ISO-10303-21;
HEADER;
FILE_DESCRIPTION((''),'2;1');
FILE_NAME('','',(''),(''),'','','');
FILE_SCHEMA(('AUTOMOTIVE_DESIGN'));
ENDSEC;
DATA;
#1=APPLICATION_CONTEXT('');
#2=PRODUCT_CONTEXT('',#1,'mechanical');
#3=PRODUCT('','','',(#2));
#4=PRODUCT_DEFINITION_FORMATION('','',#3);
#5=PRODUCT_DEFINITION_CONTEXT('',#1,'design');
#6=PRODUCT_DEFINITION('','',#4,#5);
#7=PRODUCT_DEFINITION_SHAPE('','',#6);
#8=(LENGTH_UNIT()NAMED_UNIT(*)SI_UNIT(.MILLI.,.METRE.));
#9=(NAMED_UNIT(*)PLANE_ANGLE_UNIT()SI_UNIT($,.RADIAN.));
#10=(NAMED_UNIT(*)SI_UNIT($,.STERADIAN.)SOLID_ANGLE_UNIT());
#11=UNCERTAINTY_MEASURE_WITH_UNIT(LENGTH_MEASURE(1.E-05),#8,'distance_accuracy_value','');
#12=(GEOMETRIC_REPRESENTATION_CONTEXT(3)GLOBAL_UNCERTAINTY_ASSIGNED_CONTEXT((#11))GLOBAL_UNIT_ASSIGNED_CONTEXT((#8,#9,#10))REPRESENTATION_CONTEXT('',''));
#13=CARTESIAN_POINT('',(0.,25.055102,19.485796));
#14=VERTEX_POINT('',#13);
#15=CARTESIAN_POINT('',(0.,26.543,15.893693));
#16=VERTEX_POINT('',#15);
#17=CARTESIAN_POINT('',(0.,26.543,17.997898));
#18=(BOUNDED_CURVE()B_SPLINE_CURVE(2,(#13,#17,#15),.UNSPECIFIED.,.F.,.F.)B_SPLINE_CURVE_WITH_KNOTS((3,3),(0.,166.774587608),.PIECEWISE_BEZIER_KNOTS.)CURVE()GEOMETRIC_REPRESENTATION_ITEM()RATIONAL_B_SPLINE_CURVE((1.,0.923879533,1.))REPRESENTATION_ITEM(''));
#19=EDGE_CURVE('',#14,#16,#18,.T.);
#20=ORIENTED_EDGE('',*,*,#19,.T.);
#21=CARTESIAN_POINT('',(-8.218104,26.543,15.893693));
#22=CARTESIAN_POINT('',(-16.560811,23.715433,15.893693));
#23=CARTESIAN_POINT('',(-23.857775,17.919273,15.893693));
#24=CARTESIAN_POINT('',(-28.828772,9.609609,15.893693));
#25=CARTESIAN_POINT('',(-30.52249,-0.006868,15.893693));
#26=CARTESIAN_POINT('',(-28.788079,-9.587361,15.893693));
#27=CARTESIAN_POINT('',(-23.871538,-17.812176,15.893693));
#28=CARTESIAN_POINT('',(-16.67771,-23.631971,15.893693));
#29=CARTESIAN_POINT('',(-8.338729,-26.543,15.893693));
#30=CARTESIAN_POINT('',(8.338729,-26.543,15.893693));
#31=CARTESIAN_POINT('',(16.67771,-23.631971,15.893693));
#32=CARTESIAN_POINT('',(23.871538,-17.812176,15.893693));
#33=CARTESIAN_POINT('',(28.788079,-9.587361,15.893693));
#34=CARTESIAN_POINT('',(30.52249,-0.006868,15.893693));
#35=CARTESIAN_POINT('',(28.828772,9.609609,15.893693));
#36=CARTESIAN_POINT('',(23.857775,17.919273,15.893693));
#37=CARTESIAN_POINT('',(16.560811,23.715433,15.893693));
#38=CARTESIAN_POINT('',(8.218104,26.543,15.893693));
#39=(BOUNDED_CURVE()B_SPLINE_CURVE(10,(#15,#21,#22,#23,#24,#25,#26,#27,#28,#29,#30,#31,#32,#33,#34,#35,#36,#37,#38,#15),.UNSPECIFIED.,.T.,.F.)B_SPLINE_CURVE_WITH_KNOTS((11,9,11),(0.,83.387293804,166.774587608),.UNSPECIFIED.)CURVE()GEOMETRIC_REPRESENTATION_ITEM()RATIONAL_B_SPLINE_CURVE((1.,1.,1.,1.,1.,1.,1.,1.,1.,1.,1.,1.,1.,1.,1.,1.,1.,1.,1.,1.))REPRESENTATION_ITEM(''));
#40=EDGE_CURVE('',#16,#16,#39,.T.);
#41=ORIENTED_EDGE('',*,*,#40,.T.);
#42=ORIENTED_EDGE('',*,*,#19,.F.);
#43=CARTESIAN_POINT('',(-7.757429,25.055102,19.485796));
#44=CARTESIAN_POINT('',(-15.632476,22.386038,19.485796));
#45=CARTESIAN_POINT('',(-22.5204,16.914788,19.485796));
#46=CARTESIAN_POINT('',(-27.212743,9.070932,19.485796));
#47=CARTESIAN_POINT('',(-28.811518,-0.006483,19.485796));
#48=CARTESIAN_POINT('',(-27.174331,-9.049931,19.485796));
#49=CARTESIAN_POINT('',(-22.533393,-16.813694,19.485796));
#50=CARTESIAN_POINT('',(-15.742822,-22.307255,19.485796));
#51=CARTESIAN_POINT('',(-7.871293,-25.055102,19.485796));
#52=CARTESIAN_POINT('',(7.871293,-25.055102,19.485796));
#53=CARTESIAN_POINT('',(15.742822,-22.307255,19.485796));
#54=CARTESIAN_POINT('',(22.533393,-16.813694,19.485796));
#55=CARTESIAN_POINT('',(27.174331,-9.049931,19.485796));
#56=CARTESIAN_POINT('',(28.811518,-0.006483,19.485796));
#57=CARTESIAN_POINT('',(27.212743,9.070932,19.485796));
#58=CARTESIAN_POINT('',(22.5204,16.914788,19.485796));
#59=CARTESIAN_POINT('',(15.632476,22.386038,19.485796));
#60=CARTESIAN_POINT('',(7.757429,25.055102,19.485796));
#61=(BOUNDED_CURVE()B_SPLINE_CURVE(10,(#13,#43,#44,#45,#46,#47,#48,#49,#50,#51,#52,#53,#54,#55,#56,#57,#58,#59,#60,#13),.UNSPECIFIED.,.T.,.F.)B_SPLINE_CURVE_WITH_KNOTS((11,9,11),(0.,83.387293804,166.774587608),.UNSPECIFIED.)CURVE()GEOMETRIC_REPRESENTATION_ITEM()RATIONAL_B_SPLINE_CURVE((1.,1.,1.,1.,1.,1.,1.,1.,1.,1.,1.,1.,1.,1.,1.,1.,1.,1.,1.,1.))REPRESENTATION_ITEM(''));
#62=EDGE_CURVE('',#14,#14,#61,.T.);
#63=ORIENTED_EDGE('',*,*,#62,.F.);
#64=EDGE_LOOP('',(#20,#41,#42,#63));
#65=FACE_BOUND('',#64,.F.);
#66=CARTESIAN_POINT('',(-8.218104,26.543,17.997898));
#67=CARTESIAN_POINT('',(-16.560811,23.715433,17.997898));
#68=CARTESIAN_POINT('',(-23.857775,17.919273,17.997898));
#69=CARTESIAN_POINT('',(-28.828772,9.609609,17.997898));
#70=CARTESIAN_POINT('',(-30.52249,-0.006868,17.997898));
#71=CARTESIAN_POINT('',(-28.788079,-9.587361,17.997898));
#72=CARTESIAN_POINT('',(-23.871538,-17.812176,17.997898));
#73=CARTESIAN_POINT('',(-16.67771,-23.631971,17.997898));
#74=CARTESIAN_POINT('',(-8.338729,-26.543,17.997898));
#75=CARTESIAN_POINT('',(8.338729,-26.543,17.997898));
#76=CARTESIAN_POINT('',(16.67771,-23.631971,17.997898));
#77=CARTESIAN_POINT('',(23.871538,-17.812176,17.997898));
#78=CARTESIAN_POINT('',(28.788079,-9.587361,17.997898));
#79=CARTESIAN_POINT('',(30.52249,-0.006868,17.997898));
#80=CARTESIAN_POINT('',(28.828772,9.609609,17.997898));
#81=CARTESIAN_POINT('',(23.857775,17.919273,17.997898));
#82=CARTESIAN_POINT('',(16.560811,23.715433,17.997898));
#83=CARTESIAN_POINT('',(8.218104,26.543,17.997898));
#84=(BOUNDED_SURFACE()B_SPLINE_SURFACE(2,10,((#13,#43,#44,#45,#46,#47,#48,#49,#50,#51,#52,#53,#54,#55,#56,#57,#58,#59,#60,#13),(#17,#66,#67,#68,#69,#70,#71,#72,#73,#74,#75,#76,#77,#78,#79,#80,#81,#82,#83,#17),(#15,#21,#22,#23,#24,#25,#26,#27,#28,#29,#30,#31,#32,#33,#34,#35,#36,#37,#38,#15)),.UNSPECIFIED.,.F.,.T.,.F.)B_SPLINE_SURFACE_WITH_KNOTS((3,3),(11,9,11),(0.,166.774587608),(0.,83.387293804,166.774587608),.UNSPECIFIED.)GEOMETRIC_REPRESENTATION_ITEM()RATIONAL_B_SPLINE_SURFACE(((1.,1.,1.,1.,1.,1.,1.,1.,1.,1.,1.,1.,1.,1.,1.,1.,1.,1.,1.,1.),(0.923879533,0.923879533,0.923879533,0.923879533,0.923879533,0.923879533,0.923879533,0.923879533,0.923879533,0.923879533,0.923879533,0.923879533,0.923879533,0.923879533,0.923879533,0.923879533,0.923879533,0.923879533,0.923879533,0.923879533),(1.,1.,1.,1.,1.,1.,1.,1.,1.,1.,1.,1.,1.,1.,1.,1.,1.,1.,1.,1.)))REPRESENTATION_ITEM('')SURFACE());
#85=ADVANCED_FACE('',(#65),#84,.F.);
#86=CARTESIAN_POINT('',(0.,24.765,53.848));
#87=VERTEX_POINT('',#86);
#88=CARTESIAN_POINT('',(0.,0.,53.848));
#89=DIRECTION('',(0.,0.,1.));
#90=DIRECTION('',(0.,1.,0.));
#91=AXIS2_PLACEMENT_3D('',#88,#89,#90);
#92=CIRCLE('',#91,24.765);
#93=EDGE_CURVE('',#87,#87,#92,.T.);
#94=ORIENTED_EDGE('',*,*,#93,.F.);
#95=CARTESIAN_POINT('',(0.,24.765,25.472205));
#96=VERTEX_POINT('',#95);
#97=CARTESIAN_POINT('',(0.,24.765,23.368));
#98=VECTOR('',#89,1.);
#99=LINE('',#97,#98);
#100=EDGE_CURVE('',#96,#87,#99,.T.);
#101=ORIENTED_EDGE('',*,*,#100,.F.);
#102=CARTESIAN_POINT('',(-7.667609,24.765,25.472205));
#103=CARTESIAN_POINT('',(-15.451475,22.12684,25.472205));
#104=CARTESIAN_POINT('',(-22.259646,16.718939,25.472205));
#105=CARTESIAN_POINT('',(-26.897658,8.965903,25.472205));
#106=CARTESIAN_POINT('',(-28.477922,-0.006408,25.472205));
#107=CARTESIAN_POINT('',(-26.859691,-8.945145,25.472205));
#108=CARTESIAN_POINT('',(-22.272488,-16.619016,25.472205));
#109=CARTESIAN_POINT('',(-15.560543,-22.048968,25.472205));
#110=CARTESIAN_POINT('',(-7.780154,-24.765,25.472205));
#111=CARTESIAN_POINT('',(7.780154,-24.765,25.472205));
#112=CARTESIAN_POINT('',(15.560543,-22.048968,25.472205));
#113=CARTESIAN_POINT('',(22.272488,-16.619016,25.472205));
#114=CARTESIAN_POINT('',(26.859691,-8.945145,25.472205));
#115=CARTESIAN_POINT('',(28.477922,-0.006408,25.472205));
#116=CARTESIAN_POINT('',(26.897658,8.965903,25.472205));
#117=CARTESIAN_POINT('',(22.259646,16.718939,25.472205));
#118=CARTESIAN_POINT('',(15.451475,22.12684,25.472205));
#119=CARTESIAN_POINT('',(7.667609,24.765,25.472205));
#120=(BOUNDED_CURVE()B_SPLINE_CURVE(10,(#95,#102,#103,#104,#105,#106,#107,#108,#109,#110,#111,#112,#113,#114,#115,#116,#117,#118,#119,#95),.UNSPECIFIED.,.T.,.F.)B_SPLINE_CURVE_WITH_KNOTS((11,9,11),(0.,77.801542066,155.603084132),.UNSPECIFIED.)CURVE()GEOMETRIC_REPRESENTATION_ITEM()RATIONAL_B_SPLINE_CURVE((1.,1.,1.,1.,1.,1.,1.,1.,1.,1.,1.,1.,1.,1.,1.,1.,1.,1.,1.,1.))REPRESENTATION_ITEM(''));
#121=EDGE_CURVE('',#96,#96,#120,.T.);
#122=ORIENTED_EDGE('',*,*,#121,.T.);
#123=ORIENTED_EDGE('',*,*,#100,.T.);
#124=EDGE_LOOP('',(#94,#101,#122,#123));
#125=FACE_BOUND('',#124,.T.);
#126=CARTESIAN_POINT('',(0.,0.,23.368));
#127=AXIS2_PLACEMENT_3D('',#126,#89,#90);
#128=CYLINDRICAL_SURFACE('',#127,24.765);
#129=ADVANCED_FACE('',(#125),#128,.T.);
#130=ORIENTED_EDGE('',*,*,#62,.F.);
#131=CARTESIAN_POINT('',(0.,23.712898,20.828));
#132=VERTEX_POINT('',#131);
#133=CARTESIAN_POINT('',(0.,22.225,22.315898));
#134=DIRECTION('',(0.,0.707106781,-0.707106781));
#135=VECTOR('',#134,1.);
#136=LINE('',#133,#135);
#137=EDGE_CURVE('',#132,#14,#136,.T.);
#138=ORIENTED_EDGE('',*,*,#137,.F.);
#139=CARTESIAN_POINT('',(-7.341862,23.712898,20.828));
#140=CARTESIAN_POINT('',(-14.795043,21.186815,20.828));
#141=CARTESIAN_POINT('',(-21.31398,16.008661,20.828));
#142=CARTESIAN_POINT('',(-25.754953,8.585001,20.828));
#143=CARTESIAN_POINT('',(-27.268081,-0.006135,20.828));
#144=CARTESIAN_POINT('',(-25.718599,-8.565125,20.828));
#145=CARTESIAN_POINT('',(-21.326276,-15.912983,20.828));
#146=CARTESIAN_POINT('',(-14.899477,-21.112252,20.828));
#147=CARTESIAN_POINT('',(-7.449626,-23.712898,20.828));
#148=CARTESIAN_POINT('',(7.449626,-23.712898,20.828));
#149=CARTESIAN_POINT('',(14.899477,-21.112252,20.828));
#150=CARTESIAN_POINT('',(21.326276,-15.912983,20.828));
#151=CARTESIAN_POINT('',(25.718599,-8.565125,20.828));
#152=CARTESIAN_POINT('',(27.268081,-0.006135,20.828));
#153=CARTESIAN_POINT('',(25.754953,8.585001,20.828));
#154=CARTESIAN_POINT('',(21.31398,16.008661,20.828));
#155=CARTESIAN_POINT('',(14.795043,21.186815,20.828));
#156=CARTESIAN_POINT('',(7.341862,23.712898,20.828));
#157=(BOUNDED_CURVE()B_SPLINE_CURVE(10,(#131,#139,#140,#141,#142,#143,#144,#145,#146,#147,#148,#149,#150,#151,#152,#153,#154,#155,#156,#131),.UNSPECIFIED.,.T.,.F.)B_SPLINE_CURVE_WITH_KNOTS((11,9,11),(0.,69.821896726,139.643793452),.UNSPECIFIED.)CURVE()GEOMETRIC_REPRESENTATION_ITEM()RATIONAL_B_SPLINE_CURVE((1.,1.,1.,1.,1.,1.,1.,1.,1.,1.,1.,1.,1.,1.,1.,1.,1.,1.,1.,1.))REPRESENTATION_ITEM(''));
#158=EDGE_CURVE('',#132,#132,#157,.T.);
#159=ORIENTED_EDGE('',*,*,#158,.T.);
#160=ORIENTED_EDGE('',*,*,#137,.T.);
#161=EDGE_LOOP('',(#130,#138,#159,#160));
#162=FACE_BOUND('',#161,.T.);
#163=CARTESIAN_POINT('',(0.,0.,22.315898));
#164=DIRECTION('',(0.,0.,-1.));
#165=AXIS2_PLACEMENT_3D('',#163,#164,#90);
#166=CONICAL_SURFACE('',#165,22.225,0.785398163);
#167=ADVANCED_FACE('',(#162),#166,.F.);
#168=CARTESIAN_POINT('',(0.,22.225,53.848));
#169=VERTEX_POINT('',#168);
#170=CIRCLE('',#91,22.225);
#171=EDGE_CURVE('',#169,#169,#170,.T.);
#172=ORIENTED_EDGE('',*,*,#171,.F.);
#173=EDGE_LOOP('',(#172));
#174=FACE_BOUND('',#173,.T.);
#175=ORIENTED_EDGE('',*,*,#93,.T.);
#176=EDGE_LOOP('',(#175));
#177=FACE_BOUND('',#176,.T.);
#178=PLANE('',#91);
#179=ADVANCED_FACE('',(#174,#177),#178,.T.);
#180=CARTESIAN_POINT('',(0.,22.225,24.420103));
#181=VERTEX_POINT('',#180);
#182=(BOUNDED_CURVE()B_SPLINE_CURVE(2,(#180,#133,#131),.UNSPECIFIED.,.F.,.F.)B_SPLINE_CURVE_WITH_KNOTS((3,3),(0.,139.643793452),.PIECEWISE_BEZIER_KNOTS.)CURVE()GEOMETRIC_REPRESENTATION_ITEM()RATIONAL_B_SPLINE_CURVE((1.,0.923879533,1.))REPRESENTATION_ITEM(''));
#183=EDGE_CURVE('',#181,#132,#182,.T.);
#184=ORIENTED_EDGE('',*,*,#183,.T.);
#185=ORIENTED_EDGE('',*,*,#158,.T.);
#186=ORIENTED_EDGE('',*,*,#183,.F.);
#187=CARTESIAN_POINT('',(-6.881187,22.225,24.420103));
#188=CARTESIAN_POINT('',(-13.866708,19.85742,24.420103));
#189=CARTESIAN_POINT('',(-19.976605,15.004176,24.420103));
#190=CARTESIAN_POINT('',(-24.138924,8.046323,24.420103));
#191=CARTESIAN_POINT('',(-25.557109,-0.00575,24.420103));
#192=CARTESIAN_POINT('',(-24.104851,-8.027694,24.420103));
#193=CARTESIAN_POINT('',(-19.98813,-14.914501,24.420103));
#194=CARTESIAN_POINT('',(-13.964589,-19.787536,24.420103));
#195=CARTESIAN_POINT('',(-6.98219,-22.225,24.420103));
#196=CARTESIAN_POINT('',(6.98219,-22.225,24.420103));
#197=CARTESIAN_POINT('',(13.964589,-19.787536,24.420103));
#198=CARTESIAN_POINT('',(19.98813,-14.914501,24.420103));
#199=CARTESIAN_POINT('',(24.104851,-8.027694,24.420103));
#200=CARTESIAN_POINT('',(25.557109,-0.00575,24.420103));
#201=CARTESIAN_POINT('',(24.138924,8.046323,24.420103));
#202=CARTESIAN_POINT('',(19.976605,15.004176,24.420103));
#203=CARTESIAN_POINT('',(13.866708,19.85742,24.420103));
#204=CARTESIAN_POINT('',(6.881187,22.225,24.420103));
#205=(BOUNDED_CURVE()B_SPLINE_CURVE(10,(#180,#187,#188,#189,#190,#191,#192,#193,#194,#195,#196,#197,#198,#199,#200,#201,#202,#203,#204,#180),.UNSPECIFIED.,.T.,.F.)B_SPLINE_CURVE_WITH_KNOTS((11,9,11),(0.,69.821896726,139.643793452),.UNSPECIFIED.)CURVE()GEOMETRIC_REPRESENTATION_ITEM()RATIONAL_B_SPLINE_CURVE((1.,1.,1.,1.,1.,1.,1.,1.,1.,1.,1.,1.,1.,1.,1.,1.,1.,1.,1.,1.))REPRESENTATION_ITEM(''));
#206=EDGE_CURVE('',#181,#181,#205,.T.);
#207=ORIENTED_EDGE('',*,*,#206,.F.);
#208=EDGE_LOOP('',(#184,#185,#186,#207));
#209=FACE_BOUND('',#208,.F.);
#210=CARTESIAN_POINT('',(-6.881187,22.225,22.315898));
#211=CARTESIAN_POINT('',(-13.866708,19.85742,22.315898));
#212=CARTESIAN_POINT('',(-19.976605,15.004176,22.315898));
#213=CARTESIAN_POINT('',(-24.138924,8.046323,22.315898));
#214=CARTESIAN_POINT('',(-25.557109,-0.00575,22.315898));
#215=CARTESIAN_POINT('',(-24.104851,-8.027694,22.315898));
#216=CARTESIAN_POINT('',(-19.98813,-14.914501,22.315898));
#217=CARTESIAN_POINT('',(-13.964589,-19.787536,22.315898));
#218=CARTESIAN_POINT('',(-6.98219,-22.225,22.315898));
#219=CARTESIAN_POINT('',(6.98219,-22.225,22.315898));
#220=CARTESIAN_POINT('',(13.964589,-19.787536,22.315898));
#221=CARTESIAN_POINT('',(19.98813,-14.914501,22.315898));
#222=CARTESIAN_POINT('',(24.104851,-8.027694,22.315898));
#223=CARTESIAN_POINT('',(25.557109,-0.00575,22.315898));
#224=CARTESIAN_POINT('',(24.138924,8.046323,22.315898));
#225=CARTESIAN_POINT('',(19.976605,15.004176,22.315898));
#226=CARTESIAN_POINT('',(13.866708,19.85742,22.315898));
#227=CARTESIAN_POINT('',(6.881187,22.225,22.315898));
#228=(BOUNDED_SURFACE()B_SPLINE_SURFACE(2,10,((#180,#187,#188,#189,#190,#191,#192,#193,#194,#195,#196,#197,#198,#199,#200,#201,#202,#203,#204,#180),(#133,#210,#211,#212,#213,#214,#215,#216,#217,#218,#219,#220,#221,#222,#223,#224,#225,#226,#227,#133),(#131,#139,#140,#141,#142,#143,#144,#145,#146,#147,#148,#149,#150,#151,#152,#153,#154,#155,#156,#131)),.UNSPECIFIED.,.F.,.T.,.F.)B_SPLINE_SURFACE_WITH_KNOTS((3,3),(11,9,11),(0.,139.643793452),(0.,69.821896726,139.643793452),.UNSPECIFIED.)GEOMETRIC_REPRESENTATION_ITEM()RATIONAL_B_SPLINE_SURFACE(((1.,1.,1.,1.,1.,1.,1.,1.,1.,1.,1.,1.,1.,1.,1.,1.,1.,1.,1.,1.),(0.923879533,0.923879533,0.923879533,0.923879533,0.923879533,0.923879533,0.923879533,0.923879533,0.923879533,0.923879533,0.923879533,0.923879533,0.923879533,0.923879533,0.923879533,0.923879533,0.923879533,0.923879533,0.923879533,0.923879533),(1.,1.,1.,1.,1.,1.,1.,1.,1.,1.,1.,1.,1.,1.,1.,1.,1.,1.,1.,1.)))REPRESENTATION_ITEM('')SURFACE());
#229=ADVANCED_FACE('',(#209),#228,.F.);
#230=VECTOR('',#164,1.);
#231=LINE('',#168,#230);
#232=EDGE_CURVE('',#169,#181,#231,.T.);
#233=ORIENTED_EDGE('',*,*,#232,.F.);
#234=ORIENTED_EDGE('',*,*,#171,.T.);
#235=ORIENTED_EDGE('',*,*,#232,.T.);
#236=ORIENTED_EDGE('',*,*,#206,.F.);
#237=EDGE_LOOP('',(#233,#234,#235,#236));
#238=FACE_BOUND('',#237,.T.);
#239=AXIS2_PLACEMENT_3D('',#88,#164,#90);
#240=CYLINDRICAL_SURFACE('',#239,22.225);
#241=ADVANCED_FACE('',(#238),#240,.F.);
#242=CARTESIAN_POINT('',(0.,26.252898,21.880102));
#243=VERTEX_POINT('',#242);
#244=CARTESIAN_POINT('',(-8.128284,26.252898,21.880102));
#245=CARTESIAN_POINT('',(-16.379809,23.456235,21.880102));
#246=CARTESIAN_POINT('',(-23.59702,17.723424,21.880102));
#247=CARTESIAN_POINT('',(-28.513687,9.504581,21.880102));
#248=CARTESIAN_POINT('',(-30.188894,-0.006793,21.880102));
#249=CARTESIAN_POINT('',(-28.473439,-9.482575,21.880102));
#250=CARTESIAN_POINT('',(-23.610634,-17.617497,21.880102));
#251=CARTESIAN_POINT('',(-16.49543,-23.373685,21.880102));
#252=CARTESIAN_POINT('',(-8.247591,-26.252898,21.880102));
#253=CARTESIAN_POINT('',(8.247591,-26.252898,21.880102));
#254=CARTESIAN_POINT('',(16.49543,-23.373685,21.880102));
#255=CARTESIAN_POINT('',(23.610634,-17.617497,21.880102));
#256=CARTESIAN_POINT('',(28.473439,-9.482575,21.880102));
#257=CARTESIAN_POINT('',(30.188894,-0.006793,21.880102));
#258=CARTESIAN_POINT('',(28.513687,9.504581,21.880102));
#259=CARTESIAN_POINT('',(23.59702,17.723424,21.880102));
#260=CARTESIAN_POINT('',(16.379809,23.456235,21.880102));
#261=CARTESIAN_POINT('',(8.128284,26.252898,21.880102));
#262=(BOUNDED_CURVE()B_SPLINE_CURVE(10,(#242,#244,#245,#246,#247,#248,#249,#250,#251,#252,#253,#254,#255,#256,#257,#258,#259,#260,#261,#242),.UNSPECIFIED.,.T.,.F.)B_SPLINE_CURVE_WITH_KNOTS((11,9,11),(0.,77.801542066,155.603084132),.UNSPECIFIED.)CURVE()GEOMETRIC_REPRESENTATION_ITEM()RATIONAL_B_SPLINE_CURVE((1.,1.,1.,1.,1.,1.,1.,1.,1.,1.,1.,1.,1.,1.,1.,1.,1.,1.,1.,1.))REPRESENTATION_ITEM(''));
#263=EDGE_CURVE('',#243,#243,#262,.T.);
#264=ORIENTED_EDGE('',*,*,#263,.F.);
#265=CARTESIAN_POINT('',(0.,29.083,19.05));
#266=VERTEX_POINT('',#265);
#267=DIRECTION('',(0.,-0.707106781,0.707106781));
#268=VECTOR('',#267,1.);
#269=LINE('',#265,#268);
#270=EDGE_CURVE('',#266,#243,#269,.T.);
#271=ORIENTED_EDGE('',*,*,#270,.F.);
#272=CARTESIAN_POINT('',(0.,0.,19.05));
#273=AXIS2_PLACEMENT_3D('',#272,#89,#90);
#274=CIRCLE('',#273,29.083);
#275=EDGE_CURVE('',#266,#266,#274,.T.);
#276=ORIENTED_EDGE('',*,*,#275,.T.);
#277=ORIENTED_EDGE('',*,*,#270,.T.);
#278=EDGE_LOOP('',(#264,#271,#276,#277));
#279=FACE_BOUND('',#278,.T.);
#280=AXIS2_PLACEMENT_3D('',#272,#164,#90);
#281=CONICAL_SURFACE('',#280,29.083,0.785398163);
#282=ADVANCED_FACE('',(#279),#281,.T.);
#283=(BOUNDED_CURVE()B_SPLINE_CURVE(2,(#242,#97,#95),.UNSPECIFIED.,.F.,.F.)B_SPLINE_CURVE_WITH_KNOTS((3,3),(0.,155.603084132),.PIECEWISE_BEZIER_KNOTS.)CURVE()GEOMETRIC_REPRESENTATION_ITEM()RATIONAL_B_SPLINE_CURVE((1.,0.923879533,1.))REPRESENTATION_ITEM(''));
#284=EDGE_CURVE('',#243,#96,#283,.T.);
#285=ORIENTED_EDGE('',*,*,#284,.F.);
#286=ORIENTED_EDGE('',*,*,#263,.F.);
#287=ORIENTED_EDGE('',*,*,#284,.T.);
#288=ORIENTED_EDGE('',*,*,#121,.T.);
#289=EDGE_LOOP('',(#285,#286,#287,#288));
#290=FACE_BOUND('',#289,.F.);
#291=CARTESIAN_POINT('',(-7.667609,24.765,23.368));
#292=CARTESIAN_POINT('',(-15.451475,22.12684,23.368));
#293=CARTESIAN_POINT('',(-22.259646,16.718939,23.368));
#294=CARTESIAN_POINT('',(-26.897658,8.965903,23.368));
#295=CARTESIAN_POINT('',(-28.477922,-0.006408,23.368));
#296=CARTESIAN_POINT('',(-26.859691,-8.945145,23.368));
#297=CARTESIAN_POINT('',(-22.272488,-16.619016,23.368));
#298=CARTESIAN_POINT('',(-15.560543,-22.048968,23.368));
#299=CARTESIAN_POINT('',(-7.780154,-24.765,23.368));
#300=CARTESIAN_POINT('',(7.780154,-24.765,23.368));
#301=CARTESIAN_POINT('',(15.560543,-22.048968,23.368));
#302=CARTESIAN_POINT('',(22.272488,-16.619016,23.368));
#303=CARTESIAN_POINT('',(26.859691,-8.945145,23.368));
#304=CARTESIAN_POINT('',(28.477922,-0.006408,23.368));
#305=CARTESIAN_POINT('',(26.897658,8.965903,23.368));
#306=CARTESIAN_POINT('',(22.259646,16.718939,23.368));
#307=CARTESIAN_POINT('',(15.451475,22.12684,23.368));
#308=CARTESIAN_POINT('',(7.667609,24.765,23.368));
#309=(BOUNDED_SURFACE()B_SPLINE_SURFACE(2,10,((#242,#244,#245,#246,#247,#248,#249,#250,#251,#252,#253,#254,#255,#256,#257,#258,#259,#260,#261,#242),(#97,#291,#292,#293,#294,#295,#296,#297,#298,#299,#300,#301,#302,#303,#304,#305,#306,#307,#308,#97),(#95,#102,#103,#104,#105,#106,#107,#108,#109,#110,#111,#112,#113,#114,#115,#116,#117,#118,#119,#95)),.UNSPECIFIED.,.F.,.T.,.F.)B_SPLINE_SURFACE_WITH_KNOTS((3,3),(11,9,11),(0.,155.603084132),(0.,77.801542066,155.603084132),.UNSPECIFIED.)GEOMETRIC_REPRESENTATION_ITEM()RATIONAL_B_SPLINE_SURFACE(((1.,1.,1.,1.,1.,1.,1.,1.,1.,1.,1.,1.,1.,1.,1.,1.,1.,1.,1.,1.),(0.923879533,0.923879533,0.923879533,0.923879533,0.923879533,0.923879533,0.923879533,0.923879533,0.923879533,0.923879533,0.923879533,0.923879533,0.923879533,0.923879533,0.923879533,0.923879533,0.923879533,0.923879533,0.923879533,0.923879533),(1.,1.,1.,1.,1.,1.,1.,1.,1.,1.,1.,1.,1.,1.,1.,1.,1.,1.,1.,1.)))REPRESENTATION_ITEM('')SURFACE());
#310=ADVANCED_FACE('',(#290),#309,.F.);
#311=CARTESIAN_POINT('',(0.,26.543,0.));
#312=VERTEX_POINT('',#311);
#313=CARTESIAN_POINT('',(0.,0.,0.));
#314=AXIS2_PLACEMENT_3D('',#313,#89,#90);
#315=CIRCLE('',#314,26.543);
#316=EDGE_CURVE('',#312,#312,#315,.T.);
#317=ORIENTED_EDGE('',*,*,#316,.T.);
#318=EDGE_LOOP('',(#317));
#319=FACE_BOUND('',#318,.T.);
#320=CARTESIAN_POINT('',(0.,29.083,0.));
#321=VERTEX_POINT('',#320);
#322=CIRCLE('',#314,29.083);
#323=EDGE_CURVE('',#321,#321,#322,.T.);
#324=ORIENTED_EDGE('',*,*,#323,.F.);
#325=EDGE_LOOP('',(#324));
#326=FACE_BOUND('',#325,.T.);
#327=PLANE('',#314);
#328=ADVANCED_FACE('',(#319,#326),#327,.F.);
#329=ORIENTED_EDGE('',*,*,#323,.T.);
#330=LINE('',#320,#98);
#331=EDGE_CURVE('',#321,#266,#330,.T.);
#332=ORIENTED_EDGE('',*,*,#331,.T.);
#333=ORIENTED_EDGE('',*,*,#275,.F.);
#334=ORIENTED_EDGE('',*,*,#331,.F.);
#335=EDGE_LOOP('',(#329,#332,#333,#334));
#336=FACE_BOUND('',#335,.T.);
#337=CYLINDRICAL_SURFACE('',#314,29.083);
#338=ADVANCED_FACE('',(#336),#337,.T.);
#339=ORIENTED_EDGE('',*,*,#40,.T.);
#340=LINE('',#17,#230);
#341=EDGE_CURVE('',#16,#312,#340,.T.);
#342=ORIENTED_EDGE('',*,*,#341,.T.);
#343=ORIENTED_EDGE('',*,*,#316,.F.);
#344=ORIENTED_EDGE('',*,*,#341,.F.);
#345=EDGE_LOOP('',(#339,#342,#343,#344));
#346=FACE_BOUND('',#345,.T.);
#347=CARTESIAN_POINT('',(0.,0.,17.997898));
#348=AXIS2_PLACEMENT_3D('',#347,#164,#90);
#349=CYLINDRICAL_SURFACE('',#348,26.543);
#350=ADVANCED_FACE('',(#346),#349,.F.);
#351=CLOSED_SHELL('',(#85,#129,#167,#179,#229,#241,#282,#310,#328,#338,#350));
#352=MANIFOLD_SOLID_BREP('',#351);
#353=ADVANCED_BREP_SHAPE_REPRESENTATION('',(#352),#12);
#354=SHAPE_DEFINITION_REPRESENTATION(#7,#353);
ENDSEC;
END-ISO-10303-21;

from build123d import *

# Parameters (mm, degrees)
F2_R = 5.08


with BuildPart() as f1:
    # F0 (on Right) → F1 (revolve)
    with BuildSketch(Plane.YZ):
        Polygon((26.543, 0), (29.083, 0), (29.083, 19.05), (24.765, 23.368), (24.765, 53.848), (22.225, 53.848), (22.225, 22.315898), (26.543, 17.997898), align=None)
    revolve(axis=Axis((0, 0, 27.000025), (0, 0, 1)))

    # F2
    f2_edges = [f1.edges().sort_by_distance(p)[0] for p in [
        (0, -26.543, 17.997898),
        (0, -22.225, 22.315898),
        (0, -24.765, 23.368),
    ]]
    fillet(f2_edges, radius=F2_R)


solid = f1.part
